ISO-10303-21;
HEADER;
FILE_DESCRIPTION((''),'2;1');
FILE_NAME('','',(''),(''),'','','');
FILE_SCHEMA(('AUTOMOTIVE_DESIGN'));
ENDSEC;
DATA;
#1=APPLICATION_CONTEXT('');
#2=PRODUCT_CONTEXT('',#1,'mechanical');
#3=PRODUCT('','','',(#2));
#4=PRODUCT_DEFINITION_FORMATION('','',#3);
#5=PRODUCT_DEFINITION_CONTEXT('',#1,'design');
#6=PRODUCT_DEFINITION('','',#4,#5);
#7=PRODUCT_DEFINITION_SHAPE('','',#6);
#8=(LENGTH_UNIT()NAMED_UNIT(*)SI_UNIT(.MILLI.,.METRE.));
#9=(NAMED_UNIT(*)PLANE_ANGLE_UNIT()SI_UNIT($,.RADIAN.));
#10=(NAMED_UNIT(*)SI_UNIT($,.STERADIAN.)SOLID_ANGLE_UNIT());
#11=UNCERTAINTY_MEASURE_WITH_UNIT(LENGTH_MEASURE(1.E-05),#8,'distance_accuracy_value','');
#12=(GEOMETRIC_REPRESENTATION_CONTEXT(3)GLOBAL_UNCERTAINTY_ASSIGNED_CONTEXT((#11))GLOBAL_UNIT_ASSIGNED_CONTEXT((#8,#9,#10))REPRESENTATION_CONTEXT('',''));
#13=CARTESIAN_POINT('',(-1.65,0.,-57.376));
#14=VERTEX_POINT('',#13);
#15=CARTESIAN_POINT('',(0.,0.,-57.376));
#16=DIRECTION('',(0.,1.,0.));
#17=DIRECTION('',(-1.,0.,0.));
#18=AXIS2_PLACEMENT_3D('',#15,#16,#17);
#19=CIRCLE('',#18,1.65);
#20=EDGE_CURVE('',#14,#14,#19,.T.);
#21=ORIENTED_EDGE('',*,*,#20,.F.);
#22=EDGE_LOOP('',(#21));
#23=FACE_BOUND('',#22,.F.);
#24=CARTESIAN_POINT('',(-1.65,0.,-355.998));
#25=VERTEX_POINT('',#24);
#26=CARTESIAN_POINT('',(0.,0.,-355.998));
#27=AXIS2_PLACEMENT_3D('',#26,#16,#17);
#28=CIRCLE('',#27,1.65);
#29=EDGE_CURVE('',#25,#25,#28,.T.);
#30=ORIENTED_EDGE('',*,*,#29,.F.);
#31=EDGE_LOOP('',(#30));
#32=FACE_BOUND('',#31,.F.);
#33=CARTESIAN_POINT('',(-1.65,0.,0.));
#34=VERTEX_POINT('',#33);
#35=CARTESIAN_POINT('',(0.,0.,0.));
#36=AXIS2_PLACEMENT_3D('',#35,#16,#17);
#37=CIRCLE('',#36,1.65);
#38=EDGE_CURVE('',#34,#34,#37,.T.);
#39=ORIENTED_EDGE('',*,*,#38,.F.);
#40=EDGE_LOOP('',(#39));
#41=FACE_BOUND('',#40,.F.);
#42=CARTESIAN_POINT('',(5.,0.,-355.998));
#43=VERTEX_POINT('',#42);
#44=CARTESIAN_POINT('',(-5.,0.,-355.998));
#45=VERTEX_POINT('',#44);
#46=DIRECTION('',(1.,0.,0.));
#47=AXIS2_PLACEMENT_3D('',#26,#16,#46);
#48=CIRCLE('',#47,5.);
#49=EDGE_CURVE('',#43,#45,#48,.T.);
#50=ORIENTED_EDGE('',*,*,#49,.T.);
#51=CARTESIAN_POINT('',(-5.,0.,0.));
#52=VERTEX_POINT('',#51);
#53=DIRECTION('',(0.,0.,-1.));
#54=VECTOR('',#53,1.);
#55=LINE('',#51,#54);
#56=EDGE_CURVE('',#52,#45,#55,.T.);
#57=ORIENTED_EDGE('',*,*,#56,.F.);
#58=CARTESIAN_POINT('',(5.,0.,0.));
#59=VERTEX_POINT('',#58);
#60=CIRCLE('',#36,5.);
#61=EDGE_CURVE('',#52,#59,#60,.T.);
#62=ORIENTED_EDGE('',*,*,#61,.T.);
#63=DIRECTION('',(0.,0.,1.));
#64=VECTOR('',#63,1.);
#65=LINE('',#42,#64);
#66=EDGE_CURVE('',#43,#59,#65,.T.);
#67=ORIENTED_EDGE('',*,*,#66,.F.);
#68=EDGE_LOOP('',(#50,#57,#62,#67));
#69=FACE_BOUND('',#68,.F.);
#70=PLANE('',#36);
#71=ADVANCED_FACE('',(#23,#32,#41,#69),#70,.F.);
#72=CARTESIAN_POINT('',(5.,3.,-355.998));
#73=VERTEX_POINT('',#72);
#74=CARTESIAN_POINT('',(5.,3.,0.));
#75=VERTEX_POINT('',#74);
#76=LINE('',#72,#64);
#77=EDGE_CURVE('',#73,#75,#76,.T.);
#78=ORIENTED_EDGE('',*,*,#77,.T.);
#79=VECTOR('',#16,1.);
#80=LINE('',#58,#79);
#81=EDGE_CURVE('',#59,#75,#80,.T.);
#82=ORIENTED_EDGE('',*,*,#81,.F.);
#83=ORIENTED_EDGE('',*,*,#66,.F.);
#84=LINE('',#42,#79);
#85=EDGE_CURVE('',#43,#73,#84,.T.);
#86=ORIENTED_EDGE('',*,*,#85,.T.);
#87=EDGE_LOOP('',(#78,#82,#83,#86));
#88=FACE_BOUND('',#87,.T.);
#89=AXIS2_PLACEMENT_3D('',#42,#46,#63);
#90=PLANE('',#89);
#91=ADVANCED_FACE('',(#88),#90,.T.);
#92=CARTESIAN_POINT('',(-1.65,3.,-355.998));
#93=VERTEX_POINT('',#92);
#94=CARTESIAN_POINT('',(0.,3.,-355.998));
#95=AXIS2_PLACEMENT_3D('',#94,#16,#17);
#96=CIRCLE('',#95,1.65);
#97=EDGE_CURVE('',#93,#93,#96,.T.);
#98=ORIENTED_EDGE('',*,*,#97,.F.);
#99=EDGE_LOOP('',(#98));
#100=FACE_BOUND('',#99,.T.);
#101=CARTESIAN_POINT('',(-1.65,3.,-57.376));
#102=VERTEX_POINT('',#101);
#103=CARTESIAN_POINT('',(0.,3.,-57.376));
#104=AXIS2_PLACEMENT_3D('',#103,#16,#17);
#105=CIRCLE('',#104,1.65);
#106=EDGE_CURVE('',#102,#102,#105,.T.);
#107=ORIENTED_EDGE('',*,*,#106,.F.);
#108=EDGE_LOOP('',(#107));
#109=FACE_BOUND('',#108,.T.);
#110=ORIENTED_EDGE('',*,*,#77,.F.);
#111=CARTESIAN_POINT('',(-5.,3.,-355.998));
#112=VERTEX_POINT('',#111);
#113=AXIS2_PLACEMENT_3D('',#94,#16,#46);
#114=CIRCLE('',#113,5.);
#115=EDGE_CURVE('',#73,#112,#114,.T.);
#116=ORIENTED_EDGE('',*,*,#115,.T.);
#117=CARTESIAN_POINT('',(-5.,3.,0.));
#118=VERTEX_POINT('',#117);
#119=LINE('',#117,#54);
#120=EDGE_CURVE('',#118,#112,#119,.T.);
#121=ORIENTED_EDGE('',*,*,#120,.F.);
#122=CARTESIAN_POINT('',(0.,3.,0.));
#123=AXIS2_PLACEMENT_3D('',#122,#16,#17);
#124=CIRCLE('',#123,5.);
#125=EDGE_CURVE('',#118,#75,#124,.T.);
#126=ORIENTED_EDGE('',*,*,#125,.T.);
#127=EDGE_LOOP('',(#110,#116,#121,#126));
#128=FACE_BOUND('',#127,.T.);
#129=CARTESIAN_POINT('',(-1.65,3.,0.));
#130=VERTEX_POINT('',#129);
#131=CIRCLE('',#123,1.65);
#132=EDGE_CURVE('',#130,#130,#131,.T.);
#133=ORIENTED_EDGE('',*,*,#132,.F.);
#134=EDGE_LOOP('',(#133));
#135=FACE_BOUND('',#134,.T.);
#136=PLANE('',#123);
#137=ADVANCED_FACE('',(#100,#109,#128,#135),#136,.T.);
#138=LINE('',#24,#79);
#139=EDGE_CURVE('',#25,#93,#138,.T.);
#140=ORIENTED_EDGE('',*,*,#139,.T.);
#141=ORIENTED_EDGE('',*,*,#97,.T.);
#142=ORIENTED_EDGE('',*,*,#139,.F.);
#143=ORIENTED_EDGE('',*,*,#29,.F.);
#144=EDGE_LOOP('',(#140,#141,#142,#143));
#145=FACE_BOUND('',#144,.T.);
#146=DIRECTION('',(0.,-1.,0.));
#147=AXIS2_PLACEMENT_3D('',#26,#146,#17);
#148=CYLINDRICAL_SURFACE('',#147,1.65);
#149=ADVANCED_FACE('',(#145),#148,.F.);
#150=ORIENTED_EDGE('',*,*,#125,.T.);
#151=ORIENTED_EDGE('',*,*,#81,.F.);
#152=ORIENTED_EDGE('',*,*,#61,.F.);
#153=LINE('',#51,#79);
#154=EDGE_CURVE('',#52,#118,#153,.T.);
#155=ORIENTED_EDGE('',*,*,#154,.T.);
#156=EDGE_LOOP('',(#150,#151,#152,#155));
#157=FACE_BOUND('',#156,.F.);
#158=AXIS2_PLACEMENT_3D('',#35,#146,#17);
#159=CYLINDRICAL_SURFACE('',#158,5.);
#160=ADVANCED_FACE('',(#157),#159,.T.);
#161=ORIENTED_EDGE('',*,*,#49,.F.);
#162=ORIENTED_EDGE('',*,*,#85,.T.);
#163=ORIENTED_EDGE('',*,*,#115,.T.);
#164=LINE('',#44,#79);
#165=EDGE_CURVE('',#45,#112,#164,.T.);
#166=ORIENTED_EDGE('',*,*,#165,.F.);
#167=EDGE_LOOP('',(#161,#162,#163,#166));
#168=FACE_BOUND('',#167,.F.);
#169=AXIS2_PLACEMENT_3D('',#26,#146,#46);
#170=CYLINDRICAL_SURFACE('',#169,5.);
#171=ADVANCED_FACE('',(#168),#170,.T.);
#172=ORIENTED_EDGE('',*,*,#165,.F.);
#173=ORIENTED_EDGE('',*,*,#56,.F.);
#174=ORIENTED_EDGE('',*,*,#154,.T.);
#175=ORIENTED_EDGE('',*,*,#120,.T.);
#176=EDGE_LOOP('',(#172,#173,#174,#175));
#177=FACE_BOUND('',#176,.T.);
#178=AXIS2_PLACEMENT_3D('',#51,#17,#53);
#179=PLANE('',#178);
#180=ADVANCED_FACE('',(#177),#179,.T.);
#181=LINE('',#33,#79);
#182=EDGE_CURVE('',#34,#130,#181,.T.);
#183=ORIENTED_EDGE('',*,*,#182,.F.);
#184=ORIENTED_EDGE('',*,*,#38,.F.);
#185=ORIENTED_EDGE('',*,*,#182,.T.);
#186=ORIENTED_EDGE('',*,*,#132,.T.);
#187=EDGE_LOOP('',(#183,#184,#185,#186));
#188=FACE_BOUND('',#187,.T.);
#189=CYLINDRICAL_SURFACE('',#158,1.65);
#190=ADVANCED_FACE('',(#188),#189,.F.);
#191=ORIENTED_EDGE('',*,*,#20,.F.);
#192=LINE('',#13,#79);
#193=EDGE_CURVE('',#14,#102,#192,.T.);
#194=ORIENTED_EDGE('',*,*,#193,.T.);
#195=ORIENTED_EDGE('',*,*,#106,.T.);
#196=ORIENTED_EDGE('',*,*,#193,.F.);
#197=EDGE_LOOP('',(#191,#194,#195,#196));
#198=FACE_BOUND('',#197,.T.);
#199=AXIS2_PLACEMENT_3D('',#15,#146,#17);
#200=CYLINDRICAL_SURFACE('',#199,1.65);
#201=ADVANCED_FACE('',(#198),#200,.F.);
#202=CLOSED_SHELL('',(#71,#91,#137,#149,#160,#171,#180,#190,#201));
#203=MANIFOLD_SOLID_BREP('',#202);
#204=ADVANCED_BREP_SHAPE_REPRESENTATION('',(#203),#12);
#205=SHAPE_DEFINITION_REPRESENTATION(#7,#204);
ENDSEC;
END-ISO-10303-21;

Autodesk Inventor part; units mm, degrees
ref_plane "YZ Plane" through (0, 0, 0) normal (1, 0, 0) x (0, 1, 0)
ref_plane "XZ Plane" through (0, 0, 0) normal (0, 1, 0) x (-1, 0, 0)
ref_plane "XY Plane" through (0, 0, 0) normal (0, 0, 1) x (1, 0, 0)
sketch "Sketch1" plane through (0, 0, 0) normal (0, 1, 0) x (-1, 0, 0)
  line L0 (0, 0) -> (0, -355.998) construction
  line L1 (5, 0) -> (5, -355.998)
  line L2 (-5, -355.998) -> (-5, 0)
  arc A0 (5, 0) -> (-5, 0) centre (0, 0) ccw
  arc A1 (-5, -355.998) -> (5, -355.998) centre (0, -355.998) ccw
  circle A2 centre (0, 0) radius 1.65
  circle A3 centre (0, -355.998) radius 1.65
  circle A4 centre (0, -57.376) radius 1.65
  point P0 (0, -177.999)
  dimension "d0" = 3.3
  dimension "d1" = 3.3
  dimension "d2" = 10
  dimension "d3" = 355.998
  dimension "d14" = 3.3
  dimension "d15" = 57.376
extrude "Extrusion1" add sketch "Sketch1" along normal blind 3
